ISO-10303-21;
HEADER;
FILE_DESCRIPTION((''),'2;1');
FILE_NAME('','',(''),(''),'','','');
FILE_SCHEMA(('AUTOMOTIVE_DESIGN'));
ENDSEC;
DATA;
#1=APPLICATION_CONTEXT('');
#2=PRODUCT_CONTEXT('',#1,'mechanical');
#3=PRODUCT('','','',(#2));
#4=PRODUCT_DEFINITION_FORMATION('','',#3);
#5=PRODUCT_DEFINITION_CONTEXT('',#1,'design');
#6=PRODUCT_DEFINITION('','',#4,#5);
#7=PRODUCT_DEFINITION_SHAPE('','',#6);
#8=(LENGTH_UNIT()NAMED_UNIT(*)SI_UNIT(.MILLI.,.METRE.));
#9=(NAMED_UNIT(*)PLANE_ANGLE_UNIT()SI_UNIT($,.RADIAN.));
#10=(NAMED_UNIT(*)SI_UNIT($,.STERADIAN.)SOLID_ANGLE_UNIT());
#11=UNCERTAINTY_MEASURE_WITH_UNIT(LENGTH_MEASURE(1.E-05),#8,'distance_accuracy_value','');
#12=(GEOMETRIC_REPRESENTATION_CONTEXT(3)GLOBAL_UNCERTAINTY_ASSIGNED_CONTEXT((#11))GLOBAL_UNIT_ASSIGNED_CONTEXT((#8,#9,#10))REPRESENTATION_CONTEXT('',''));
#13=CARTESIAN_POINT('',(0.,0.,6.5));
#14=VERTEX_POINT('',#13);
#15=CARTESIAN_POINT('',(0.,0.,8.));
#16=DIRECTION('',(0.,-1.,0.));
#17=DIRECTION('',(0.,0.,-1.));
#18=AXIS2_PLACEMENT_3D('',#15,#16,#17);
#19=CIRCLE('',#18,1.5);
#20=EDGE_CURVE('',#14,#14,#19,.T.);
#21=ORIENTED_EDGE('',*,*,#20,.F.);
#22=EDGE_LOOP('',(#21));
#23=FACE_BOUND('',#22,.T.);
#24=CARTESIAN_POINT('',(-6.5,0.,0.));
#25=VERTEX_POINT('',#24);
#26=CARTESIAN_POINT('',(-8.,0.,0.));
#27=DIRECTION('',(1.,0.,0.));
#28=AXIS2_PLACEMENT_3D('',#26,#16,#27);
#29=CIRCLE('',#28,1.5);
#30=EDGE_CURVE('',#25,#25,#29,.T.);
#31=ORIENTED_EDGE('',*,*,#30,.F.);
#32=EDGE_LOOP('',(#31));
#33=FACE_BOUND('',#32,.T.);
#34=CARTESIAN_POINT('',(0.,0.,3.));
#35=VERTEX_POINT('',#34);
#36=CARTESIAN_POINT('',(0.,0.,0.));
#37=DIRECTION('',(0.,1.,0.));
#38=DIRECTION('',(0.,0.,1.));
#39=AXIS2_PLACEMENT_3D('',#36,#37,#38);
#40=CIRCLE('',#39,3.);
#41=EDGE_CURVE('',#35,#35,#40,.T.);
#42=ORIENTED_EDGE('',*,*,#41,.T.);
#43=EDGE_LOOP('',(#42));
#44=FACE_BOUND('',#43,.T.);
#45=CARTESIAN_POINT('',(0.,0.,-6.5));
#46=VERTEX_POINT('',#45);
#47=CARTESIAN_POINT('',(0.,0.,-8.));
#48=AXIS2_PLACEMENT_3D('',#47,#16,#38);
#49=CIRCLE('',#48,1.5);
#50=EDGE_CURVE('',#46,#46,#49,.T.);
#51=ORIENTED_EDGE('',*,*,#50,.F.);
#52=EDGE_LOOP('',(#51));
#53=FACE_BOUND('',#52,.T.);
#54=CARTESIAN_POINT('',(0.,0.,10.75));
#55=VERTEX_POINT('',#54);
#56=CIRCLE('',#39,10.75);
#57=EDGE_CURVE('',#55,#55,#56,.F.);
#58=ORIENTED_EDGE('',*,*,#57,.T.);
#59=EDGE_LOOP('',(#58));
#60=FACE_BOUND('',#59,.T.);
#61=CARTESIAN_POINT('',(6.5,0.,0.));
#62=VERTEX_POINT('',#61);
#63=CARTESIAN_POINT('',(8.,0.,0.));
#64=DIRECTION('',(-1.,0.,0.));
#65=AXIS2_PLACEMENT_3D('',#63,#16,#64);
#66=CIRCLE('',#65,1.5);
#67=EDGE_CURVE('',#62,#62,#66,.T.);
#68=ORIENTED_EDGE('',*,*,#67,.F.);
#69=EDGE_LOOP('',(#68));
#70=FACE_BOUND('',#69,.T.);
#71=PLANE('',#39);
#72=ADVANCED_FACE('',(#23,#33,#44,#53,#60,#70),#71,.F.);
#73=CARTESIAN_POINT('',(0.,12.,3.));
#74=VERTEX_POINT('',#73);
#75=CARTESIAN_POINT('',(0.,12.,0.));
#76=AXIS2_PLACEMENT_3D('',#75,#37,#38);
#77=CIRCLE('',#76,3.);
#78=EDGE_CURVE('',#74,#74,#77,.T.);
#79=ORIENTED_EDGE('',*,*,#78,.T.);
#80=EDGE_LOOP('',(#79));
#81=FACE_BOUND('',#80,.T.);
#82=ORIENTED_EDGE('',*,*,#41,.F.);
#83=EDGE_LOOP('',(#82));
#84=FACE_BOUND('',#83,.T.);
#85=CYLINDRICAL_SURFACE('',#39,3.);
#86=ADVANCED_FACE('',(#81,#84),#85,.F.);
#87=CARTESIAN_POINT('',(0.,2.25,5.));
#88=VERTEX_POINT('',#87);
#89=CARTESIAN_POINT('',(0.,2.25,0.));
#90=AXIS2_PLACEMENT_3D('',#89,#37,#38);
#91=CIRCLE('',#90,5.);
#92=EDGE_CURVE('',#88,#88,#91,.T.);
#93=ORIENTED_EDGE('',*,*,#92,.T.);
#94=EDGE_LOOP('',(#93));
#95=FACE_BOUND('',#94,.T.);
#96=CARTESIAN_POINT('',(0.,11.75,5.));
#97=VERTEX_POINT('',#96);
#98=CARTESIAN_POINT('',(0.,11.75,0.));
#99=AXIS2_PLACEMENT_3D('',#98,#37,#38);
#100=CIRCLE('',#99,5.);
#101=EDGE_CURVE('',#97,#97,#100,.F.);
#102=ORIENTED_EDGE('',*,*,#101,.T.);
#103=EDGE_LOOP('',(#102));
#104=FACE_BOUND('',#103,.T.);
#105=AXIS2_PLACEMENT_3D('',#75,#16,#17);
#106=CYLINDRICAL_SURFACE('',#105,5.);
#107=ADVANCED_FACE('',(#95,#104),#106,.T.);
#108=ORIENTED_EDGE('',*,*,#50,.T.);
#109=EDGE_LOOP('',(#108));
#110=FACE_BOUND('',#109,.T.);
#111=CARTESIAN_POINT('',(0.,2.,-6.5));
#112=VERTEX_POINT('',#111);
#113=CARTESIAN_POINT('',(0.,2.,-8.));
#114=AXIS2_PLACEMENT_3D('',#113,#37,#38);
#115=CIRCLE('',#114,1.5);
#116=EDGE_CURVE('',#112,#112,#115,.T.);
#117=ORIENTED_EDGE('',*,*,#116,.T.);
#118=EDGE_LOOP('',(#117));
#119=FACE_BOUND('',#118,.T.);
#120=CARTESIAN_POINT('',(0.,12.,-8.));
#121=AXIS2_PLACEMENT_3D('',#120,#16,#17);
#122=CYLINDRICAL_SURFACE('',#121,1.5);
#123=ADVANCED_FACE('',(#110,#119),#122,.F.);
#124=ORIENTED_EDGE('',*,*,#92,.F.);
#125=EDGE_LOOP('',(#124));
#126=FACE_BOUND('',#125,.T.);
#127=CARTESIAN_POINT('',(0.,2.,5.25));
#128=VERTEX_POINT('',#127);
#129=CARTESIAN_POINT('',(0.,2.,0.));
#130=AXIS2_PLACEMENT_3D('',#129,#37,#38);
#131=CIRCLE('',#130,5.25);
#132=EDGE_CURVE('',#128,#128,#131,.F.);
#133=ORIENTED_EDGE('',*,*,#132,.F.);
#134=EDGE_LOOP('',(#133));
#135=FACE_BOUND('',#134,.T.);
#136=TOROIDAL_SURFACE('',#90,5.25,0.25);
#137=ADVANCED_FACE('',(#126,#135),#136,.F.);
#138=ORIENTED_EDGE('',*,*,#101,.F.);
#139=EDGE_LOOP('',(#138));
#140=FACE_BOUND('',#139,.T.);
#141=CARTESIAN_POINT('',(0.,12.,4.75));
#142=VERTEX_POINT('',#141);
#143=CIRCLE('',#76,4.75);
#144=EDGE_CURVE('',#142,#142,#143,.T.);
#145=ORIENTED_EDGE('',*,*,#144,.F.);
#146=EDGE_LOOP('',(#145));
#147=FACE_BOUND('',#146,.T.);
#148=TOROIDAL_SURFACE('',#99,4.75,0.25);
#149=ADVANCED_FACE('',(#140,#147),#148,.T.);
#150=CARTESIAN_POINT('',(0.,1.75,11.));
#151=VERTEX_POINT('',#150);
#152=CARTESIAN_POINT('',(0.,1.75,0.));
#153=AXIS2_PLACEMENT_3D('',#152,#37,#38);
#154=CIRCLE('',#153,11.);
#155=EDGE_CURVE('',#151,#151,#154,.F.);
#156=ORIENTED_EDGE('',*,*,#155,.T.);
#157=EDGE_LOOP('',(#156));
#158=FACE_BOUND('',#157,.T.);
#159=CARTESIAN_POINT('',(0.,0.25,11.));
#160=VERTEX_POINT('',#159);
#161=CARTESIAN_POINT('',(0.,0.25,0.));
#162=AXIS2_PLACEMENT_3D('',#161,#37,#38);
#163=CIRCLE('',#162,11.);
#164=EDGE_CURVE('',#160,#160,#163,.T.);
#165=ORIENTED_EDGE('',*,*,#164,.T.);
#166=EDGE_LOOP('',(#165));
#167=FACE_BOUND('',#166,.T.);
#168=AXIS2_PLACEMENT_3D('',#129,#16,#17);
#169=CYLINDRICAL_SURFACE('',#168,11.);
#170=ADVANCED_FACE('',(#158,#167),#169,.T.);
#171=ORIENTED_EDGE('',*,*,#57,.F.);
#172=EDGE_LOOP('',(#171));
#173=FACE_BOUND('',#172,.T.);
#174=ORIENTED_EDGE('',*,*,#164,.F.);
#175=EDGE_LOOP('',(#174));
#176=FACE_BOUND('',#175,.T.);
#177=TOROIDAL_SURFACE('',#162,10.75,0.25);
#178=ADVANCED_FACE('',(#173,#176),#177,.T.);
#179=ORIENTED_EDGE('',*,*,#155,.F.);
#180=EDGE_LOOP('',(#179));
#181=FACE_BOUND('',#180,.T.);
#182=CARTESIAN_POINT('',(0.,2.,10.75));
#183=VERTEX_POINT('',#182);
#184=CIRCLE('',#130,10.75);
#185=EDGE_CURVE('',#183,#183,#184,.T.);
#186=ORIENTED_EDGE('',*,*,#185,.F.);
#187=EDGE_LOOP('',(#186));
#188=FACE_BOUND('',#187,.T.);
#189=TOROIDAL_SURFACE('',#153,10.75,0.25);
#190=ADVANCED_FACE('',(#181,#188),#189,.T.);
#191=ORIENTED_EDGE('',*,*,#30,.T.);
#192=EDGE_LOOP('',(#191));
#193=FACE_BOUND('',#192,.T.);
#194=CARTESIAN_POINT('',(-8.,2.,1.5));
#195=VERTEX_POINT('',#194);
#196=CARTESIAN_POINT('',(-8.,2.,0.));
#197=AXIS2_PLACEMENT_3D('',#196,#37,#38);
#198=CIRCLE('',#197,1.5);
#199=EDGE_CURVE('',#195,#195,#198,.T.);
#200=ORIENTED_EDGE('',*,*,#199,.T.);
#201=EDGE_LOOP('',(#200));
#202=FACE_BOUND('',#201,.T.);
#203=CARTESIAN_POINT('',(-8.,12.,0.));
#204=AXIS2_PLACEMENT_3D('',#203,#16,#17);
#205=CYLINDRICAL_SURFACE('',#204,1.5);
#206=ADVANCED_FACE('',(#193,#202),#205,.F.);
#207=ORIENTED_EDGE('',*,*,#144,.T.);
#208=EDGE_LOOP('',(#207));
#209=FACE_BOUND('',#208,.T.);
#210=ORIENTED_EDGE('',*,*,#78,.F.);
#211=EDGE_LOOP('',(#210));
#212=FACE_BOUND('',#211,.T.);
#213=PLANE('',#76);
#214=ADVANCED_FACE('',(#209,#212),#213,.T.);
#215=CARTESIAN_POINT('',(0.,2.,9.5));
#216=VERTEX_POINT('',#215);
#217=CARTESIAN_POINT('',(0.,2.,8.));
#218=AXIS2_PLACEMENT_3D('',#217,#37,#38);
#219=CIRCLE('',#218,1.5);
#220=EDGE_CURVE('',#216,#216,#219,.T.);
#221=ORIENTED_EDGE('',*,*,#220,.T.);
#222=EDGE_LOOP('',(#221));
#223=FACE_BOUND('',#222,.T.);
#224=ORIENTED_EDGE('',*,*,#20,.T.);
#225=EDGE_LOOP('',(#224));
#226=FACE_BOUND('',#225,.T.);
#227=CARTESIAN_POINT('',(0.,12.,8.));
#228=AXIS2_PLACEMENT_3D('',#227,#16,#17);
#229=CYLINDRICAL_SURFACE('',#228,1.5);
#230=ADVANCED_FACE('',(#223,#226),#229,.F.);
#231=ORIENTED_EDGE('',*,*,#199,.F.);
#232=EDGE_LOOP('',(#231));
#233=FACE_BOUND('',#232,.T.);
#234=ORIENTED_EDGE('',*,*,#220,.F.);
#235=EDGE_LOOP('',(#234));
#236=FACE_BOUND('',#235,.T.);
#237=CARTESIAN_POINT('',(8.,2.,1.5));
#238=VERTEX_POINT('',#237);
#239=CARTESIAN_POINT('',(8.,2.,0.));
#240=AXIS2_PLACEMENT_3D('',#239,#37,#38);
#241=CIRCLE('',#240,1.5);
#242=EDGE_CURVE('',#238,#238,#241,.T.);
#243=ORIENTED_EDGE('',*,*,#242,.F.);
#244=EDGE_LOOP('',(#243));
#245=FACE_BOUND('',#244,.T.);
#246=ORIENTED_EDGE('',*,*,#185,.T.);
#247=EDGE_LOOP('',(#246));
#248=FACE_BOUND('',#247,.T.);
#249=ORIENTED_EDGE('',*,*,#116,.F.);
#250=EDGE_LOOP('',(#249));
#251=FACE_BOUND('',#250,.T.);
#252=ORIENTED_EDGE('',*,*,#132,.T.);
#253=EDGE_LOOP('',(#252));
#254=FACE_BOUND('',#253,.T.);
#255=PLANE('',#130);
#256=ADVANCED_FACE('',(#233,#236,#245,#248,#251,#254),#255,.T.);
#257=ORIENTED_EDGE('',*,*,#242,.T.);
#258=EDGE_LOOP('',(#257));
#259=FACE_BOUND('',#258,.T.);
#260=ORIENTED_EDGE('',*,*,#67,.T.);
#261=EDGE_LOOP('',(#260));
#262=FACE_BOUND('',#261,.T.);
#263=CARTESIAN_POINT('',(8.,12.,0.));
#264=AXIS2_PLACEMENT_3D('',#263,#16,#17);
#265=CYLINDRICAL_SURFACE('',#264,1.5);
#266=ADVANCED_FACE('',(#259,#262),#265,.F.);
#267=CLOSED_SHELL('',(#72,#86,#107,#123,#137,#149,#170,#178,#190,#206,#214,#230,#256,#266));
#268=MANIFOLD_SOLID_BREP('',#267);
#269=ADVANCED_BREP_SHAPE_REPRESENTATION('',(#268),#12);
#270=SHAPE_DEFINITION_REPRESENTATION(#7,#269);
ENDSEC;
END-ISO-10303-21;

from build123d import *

# Parameters (mm, degrees)
SKETCH_1_R               = 11
EXTRUDE_1_DEPTH          = 2
SKETCH_2_R               = 5
EXTRUDE_2_DEPTH          = 10
SKETCH_3_R               = 3
CUT_EXTRUDE_1_DEPTH      = 20.646882704
SKETCH_4_R               = 1.5
CUT_EXTRUDE_2_DEPTH      = 20.646882704
PATTERN_CIRCULAR_1_COUNT = 4
FILLET_1_R               = 0.25


with BuildPart() as part:
    # ｽｹｯﾁ1 → ﾎﾞｽ - 押し出し1 (new body)
    with BuildSketch(Plane(origin=(0, 0, 0), x_dir=(1, 0, 0), z_dir=(0, 1, 0))):
        with Locations(Location((0, 0, 0), (0, 0, 270))):
            Circle(SKETCH_1_R)
    extrude(amount=EXTRUDE_1_DEPTH)

    # ｽｹｯﾁ2 → ﾎﾞｽ - 押し出し2 (add)
    with BuildSketch(Plane(origin=(0, 2, 0), x_dir=(1, 0, 0), z_dir=(0, 1, 0))):
        with Locations(Location((0, 0, 0), (0, 0, 270))):
            Circle(SKETCH_2_R)
    extrude(amount=EXTRUDE_2_DEPTH)

    # ｽｹｯﾁ3 → ｶｯﾄ - 押し出し1 (cut, through all)
    with BuildSketch(Plane(origin=(0, 12, 0), x_dir=(1, 0, 0), z_dir=(0, 1, 0))):
        with Locations(Location((0, 0, 0), (0, 0, 270))):
            Circle(SKETCH_3_R)
    extrude(amount=-CUT_EXTRUDE_1_DEPTH, mode=Mode.SUBTRACT)

    # ｽｹｯﾁ4 → ｶｯﾄ - 押し出し2 (cut, through all)
    with BuildSketch(Plane.XZ):
        with Locations(Location((0, 8, 0), (0, 0, 270))):
            Circle(SKETCH_4_R)
    cut_extrude_2 = extrude(amount=-CUT_EXTRUDE_2_DEPTH, mode=Mode.SUBTRACT)

    # 円形ﾊﾟﾀｰﾝ1: ｶｯﾄ - 押し出し2 ×4 about axis
    pattern_circular_1_axis = Axis((0, 0, 0), (0, 1, 0))
    for i in range(1, PATTERN_CIRCULAR_1_COUNT):
        add(cut_extrude_2.rotate(pattern_circular_1_axis, i * 360 / PATTERN_CIRCULAR_1_COUNT), mode=Mode.SUBTRACT)

    # ﾌｨﾚｯﾄ1
    fillet_1_edges = [part.edges().sort_by_distance(p)[0] for p in [
        (0, 0, -11),
        (0, 2, -11),
        (0, 2, -5),
        (0, 12, -5),
    ]]
    fillet(fillet_1_edges, radius=FILLET_1_R)


solid = part.part
